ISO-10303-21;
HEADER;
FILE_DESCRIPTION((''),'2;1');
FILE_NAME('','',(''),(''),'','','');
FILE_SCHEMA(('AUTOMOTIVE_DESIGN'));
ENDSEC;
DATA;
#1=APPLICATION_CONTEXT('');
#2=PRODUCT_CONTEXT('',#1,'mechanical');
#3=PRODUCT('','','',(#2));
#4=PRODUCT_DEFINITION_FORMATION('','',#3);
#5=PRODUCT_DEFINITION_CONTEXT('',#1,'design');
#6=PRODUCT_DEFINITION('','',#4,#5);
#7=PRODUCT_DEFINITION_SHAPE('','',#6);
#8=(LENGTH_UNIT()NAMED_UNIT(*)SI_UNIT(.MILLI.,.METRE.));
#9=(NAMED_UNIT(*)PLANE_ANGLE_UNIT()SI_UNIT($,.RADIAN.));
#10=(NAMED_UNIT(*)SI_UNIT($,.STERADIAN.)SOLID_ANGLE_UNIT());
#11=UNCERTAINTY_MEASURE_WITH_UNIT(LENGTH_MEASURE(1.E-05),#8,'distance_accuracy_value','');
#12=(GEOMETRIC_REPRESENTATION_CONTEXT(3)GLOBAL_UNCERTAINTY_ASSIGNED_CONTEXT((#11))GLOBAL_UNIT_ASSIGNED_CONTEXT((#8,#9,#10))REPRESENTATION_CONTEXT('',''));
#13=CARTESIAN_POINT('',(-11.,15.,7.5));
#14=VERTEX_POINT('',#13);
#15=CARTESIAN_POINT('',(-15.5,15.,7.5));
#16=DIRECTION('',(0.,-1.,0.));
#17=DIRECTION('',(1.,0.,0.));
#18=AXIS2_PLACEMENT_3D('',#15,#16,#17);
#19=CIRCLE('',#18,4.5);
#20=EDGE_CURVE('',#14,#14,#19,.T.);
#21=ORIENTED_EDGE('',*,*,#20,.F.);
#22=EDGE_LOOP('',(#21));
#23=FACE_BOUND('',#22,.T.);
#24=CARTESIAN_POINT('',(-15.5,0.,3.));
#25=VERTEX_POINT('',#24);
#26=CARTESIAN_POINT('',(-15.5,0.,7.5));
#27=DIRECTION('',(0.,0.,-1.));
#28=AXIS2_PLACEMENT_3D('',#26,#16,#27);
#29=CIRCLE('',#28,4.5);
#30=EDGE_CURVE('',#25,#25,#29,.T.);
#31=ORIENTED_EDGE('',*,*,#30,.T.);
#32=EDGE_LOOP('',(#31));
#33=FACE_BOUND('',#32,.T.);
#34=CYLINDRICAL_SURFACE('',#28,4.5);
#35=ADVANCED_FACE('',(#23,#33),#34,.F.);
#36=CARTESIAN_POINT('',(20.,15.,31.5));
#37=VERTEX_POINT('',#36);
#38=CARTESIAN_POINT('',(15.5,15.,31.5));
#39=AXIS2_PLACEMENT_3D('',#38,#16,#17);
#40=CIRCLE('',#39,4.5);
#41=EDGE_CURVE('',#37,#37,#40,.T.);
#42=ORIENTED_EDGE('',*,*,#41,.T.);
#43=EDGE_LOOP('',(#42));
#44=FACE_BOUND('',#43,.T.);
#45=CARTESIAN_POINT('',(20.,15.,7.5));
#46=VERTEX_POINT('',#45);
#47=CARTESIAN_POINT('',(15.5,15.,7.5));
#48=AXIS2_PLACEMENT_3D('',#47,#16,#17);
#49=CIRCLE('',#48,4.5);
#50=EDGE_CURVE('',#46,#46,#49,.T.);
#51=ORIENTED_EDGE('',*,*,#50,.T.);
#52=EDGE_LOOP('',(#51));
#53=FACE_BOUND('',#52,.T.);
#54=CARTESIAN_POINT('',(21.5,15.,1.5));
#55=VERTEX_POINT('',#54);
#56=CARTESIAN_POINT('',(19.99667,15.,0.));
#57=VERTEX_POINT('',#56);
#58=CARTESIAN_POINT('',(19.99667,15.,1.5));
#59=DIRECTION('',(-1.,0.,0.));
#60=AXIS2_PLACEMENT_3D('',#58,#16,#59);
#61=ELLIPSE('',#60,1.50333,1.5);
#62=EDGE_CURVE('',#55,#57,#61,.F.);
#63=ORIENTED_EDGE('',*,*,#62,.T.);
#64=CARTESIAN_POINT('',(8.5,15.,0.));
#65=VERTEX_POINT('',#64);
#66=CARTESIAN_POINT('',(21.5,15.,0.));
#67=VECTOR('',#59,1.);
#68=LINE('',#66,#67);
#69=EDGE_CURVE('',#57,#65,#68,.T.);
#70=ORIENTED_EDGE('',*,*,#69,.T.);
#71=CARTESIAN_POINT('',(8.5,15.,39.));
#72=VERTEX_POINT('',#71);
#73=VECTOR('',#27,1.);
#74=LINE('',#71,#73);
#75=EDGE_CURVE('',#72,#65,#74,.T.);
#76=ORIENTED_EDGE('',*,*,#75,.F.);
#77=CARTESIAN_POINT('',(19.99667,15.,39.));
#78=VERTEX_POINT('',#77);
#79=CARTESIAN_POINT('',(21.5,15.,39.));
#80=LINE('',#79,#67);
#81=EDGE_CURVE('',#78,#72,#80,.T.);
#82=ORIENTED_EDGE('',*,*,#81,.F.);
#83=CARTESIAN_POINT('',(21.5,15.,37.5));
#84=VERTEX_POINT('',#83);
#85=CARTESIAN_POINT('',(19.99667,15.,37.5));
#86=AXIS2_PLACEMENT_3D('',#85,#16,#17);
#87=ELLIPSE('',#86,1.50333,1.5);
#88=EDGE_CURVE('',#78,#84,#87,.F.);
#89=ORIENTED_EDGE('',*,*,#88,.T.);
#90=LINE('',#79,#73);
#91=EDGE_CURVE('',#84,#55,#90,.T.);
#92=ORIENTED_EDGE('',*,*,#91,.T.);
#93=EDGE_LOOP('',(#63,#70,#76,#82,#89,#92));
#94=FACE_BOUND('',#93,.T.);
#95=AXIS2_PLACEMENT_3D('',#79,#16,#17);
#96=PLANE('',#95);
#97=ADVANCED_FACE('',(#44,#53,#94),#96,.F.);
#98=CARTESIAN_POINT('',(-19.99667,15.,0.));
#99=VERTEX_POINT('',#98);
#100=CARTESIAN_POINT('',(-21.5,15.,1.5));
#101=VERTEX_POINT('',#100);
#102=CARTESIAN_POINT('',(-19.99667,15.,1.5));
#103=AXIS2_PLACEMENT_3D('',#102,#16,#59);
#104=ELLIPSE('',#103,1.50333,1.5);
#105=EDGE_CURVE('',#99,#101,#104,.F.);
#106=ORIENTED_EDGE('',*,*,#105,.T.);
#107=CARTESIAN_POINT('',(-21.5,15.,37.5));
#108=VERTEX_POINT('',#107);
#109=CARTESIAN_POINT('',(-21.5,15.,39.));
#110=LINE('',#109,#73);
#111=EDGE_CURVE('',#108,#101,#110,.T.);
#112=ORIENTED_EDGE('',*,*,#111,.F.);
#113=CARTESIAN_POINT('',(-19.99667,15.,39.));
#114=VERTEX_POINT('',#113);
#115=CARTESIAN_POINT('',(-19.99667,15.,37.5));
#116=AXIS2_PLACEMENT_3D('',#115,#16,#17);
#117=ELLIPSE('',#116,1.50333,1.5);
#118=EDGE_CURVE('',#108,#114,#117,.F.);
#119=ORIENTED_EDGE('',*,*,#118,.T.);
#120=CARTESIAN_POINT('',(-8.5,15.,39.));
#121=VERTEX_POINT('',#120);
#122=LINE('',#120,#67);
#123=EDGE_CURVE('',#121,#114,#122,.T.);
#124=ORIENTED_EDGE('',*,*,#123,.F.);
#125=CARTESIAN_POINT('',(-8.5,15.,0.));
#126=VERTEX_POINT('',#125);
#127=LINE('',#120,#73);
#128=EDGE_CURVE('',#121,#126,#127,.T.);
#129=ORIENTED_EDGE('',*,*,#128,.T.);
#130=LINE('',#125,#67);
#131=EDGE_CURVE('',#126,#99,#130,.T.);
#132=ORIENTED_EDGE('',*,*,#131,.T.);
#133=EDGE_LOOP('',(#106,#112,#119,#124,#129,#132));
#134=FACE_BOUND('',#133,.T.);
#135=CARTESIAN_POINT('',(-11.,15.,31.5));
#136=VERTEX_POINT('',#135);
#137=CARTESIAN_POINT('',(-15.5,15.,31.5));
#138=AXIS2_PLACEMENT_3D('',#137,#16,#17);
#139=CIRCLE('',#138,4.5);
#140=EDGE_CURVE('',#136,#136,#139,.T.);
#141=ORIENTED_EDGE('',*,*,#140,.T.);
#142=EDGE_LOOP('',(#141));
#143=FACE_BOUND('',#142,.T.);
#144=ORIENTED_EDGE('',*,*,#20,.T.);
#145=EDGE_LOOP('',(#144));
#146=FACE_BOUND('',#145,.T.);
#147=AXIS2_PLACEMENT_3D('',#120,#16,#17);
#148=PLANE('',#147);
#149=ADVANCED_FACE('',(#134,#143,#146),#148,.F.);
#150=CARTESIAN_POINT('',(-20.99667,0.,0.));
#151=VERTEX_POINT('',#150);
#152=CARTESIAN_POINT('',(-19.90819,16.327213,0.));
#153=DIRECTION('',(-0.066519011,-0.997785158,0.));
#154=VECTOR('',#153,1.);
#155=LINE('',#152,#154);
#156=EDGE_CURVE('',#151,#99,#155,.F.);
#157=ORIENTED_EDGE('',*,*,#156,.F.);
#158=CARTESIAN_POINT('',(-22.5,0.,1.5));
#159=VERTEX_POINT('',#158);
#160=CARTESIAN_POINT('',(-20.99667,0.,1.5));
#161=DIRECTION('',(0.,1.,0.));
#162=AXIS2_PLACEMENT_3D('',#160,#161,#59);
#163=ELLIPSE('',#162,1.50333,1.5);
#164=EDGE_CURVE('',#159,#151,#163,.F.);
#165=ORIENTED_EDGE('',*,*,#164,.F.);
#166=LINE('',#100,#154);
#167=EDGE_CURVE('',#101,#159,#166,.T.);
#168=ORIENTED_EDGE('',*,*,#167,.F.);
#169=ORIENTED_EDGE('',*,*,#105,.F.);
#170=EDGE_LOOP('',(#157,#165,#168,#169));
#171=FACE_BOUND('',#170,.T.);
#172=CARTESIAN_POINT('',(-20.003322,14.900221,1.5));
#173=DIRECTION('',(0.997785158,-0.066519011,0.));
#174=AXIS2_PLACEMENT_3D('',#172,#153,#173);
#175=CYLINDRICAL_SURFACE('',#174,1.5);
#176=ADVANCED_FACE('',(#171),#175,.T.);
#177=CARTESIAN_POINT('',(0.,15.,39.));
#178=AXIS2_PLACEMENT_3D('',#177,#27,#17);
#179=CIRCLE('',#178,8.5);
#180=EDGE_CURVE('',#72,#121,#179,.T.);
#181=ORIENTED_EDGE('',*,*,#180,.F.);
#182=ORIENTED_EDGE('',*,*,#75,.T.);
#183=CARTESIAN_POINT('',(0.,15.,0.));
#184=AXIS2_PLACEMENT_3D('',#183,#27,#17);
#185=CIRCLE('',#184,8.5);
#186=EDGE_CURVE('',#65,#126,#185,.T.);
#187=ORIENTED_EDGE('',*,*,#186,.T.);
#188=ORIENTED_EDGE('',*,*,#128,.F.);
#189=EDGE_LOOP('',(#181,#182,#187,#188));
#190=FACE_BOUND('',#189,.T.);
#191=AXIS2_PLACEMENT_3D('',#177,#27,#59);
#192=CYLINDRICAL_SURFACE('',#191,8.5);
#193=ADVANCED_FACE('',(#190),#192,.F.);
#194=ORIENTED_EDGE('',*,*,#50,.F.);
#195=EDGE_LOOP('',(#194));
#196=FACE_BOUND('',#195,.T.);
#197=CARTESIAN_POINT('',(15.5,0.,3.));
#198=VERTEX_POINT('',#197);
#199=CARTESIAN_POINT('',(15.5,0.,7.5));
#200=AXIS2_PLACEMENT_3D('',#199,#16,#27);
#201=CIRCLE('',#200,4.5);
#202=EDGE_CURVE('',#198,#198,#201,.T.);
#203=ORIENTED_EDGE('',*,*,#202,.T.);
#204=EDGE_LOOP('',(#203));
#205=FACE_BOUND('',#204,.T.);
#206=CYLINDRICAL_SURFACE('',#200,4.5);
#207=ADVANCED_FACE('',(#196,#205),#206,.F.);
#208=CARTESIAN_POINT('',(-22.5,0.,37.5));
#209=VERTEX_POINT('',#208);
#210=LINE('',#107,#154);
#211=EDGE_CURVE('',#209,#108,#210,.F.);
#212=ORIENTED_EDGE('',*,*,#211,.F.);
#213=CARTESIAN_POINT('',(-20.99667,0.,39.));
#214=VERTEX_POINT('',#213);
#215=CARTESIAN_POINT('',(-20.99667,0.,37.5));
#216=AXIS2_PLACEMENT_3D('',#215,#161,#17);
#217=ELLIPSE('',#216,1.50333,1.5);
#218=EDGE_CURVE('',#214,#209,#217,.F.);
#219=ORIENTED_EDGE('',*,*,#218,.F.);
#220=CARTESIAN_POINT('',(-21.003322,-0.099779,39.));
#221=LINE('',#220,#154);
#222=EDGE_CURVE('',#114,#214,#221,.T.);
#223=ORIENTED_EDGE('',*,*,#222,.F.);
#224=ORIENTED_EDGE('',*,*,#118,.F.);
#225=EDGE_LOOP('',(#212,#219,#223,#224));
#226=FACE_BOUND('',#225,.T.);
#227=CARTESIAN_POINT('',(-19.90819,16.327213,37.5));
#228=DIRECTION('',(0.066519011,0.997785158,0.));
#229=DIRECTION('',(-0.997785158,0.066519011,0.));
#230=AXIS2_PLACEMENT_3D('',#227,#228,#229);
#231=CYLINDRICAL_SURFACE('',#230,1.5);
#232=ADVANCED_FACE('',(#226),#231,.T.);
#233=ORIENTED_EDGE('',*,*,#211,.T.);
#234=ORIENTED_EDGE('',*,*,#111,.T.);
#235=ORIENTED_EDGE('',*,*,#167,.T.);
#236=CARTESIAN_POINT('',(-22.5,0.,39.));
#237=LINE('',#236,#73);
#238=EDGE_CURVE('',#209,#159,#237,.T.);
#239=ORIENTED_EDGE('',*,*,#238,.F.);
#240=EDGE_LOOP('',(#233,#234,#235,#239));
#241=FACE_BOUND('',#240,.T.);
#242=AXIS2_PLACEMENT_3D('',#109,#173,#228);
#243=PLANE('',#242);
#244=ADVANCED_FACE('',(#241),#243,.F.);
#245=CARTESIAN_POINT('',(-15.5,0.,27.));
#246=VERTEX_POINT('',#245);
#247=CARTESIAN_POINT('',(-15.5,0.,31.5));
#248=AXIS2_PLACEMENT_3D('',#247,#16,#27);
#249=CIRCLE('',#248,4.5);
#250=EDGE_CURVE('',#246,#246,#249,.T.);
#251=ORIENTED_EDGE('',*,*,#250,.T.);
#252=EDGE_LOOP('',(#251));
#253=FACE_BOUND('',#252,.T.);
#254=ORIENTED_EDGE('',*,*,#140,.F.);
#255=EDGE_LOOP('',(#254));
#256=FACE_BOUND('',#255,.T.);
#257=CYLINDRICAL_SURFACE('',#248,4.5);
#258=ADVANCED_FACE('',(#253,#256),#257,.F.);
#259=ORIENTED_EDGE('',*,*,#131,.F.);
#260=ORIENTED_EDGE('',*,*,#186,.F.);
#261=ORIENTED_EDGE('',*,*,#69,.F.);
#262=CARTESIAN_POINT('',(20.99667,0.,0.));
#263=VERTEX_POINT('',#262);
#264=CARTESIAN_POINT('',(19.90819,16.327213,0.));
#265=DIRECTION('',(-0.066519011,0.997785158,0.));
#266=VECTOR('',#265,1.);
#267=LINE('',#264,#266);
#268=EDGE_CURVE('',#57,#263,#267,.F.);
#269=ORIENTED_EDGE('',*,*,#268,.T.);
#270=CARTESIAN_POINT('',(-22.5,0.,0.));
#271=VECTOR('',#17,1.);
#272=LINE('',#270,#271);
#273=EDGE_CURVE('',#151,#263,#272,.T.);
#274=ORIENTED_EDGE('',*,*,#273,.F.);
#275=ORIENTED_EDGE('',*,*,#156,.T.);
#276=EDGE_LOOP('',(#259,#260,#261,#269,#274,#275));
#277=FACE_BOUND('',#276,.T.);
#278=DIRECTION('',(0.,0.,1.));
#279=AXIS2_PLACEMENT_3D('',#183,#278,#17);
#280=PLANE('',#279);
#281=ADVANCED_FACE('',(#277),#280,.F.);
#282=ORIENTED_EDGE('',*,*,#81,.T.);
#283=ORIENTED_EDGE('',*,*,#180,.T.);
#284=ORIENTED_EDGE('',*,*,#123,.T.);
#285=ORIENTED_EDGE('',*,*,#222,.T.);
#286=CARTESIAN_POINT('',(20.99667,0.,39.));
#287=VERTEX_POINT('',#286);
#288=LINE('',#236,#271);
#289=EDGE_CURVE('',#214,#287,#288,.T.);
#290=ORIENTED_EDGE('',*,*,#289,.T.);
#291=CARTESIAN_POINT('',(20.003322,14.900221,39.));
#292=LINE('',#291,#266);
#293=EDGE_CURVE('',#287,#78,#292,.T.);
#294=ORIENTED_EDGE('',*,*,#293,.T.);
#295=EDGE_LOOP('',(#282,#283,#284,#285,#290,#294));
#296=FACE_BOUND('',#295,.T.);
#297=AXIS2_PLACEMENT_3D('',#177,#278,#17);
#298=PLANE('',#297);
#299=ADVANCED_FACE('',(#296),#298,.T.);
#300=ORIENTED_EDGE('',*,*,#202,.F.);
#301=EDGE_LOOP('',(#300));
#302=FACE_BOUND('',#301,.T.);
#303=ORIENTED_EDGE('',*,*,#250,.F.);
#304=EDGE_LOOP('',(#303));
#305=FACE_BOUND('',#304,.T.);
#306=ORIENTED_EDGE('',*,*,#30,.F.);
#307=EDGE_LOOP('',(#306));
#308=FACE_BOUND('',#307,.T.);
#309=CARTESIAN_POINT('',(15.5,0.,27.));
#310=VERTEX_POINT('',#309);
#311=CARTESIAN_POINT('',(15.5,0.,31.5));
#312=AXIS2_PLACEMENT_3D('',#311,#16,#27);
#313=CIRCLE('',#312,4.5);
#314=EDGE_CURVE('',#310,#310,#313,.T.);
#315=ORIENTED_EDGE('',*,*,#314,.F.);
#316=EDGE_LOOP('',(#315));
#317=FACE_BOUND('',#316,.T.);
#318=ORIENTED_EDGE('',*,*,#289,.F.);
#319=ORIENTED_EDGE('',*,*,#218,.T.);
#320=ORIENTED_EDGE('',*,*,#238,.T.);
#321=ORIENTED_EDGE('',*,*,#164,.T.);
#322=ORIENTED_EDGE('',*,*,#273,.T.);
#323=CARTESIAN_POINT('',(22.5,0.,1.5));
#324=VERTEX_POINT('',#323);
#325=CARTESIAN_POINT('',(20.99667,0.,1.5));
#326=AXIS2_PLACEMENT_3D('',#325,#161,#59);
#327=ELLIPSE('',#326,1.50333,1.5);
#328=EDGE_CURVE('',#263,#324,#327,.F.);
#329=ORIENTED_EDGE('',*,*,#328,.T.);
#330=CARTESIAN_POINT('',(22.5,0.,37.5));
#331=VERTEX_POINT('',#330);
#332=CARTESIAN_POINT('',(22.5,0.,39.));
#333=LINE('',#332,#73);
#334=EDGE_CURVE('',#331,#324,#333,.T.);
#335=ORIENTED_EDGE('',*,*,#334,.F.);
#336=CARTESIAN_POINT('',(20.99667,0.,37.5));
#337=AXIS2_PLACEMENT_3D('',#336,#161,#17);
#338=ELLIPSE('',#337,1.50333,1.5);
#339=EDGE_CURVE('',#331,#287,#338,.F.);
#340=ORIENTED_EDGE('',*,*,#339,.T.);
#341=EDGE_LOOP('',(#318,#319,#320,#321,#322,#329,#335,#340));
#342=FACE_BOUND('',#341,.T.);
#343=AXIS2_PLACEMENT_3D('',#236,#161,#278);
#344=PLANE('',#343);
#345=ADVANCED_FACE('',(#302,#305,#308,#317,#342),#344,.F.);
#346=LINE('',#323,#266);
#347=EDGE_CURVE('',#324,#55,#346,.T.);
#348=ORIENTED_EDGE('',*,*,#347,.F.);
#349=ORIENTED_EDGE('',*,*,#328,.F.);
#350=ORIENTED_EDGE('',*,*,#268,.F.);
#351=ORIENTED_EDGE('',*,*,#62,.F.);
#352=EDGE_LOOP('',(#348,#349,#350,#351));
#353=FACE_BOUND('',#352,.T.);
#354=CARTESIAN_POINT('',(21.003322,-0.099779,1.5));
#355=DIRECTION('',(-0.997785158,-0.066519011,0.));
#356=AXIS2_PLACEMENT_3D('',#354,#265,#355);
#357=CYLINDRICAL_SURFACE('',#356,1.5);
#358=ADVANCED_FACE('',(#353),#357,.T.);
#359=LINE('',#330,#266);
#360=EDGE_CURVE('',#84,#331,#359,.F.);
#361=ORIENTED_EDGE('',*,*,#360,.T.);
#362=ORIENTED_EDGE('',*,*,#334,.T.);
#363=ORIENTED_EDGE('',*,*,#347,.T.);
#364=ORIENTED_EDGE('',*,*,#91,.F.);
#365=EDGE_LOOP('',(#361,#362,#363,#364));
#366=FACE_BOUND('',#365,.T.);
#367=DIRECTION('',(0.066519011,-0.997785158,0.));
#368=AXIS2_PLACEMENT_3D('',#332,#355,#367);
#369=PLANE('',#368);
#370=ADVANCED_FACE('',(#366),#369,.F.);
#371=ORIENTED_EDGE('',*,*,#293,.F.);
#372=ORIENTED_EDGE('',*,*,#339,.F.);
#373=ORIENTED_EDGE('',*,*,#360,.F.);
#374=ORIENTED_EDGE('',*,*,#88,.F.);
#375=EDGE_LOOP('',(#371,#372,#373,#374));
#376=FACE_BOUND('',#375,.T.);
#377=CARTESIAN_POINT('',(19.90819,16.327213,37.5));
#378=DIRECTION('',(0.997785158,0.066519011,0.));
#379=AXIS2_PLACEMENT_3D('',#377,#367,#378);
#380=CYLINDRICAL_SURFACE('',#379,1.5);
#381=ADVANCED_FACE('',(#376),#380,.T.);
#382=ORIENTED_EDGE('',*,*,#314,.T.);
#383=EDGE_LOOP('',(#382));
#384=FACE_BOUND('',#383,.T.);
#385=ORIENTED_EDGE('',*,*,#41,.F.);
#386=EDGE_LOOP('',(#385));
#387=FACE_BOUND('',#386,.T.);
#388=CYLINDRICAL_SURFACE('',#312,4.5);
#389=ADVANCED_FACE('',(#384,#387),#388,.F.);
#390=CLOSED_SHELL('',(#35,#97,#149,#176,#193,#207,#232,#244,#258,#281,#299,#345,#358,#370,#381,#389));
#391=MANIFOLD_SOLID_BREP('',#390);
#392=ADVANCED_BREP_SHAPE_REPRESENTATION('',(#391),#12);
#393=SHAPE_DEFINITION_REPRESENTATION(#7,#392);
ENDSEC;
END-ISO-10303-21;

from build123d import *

# Parameters (mm, degrees)
ESTRUSIONE_ESTRUSIONE1_DEPTH = 39
FORO_PER_VITE_M8_1_D         = 9
FORO_PER_VITE_M8_1_DEPTH     = 30
FORO_PER_VITE_M8_1_TIP       = 2.703872786
RACCORDO1_R                  = 1.5


with BuildPart() as part:
    # Schizzo1 → Estrusione-Estrusione1 (new body)
    with BuildSketch(Plane.XY):
        with BuildLine():
            Line((-8.5, 15), (-21.5, 15))
            Line((-21.5, 15), (-22.5, 0))
            Line((-22.5, 0), (22.5, 0))
            Line((22.5, 0), (21.5, 15))
            Line((21.5, 15), (8.5, 15))
            ThreePointArc((8.5, 15), (0, 6.5), (-8.5, 15))
        make_face()
    extrude(amount=ESTRUSIONE_ESTRUSIONE1_DEPTH)

    # Foro per Vite M8-1
    with Locations(Plane(origin=(0, 0, 0), x_dir=(-1, 0, 0), z_dir=(0, -1, 0))):
        with Locations((-15.5, -7.5), (15.5, -7.5), (15.5, -31.5), (-15.5, -31.5)):
            Hole(FORO_PER_VITE_M8_1_D / 2, depth=FORO_PER_VITE_M8_1_DEPTH)
            with Locations((0, 0, -(FORO_PER_VITE_M8_1_DEPTH + FORO_PER_VITE_M8_1_TIP / 2))):  # 118° drill point
                Cone(0, FORO_PER_VITE_M8_1_D / 2, FORO_PER_VITE_M8_1_TIP, mode=Mode.SUBTRACT)

    # Raccordo1
    raccordo1_edges = [part.edges().sort_by_distance(p)[0] for p in [
        (-22, 7.5, 39),
        (22, 7.5, 39),
        (22, 7.5, 0),
        (-22, 7.5, 0),
    ]]
    fillet(raccordo1_edges, radius=RACCORDO1_R)


solid = part.part
